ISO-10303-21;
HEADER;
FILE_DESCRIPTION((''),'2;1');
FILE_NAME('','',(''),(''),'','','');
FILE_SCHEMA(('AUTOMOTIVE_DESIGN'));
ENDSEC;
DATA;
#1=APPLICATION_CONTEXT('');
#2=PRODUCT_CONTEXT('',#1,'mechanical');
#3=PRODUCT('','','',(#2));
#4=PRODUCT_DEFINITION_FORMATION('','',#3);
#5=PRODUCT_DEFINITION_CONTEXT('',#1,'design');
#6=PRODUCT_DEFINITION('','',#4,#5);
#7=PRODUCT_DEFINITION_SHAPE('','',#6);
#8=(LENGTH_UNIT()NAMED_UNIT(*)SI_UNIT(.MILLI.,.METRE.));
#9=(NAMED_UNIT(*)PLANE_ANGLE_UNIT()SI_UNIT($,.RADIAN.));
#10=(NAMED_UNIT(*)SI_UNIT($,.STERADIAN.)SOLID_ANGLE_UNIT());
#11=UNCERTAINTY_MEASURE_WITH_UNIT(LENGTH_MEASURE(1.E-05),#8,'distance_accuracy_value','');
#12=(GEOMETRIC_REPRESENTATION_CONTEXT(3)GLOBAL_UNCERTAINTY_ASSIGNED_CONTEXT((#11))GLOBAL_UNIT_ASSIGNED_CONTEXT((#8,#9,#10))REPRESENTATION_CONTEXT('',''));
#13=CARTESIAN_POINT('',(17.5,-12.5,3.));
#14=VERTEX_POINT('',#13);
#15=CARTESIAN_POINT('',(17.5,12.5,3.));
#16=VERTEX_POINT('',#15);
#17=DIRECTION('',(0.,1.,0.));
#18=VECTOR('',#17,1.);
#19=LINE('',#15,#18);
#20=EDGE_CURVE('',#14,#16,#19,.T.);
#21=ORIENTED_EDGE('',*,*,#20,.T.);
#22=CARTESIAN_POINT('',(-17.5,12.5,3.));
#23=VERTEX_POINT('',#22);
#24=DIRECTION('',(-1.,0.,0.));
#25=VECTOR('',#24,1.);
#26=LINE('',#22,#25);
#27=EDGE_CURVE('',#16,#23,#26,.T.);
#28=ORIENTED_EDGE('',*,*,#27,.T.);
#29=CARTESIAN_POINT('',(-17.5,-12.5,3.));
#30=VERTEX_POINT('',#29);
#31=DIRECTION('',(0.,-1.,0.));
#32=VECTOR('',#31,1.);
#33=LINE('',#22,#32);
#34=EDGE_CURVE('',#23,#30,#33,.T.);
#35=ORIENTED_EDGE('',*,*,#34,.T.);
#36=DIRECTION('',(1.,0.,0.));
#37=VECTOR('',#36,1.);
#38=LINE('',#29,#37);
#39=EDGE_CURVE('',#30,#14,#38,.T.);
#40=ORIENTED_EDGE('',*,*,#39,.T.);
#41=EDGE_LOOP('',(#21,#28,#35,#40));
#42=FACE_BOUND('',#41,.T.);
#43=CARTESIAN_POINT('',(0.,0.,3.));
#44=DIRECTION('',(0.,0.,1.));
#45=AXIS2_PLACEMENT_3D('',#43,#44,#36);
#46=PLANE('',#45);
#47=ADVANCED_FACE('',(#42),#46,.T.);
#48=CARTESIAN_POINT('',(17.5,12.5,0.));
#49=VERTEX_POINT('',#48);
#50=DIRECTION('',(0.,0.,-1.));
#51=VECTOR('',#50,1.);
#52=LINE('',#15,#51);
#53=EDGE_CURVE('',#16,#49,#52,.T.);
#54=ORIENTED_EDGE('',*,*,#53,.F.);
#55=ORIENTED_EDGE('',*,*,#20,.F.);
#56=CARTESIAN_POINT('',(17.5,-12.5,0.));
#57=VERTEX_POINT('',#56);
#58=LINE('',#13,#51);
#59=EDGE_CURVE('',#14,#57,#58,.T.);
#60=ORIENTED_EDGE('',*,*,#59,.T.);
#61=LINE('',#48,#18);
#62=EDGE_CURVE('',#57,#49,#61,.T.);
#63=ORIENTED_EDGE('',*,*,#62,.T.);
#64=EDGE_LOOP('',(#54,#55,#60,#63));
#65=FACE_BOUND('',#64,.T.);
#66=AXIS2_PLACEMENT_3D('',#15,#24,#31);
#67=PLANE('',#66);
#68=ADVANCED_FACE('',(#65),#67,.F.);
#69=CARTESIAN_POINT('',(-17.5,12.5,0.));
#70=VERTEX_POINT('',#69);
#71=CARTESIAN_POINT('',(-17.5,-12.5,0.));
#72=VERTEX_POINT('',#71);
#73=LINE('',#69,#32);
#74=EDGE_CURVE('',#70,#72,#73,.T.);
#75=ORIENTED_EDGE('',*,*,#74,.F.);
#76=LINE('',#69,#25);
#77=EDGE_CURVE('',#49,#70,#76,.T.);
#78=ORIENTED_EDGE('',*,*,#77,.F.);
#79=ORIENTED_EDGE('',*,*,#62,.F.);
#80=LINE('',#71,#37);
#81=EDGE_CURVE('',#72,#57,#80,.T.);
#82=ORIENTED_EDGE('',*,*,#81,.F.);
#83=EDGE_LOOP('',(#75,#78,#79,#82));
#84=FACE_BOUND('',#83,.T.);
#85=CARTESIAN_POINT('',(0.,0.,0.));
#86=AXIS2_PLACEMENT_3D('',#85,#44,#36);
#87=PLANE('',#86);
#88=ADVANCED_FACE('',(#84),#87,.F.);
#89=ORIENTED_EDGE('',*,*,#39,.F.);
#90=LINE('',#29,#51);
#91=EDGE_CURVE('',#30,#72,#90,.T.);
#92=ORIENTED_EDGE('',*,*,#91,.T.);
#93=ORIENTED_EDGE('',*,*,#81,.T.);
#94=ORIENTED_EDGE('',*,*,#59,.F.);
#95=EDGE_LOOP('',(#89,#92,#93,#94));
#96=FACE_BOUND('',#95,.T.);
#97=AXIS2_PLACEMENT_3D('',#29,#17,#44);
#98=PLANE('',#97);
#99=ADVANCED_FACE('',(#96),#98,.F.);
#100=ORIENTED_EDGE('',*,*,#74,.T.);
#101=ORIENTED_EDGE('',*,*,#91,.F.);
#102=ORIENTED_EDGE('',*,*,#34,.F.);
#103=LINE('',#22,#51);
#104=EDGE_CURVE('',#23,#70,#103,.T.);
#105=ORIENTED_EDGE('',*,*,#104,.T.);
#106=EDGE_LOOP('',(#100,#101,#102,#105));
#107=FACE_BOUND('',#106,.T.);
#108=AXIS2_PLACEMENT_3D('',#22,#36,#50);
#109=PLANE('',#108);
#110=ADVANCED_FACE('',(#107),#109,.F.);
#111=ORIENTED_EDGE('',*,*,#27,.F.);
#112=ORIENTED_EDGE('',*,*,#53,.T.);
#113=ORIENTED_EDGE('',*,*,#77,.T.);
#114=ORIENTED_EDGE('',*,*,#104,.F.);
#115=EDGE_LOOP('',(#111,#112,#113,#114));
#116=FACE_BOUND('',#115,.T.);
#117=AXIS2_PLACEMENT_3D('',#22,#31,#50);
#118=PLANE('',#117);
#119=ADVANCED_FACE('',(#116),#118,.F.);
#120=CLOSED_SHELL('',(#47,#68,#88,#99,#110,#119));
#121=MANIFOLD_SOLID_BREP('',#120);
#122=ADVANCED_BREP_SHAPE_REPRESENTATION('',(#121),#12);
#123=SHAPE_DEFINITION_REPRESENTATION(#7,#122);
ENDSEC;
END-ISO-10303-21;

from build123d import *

# Parameters (mm, degrees)
SKETCH1_W      = 35
SKETCH1_H      = 25
MIRROR_2_DEPTH = 3


with BuildPart() as part:
    # Sketch1 → Mirror 2 (new body)
    with BuildSketch(Plane.XY):
        Rectangle(SKETCH1_W, SKETCH1_H)
    extrude(amount=MIRROR_2_DEPTH)


solid = part.part
